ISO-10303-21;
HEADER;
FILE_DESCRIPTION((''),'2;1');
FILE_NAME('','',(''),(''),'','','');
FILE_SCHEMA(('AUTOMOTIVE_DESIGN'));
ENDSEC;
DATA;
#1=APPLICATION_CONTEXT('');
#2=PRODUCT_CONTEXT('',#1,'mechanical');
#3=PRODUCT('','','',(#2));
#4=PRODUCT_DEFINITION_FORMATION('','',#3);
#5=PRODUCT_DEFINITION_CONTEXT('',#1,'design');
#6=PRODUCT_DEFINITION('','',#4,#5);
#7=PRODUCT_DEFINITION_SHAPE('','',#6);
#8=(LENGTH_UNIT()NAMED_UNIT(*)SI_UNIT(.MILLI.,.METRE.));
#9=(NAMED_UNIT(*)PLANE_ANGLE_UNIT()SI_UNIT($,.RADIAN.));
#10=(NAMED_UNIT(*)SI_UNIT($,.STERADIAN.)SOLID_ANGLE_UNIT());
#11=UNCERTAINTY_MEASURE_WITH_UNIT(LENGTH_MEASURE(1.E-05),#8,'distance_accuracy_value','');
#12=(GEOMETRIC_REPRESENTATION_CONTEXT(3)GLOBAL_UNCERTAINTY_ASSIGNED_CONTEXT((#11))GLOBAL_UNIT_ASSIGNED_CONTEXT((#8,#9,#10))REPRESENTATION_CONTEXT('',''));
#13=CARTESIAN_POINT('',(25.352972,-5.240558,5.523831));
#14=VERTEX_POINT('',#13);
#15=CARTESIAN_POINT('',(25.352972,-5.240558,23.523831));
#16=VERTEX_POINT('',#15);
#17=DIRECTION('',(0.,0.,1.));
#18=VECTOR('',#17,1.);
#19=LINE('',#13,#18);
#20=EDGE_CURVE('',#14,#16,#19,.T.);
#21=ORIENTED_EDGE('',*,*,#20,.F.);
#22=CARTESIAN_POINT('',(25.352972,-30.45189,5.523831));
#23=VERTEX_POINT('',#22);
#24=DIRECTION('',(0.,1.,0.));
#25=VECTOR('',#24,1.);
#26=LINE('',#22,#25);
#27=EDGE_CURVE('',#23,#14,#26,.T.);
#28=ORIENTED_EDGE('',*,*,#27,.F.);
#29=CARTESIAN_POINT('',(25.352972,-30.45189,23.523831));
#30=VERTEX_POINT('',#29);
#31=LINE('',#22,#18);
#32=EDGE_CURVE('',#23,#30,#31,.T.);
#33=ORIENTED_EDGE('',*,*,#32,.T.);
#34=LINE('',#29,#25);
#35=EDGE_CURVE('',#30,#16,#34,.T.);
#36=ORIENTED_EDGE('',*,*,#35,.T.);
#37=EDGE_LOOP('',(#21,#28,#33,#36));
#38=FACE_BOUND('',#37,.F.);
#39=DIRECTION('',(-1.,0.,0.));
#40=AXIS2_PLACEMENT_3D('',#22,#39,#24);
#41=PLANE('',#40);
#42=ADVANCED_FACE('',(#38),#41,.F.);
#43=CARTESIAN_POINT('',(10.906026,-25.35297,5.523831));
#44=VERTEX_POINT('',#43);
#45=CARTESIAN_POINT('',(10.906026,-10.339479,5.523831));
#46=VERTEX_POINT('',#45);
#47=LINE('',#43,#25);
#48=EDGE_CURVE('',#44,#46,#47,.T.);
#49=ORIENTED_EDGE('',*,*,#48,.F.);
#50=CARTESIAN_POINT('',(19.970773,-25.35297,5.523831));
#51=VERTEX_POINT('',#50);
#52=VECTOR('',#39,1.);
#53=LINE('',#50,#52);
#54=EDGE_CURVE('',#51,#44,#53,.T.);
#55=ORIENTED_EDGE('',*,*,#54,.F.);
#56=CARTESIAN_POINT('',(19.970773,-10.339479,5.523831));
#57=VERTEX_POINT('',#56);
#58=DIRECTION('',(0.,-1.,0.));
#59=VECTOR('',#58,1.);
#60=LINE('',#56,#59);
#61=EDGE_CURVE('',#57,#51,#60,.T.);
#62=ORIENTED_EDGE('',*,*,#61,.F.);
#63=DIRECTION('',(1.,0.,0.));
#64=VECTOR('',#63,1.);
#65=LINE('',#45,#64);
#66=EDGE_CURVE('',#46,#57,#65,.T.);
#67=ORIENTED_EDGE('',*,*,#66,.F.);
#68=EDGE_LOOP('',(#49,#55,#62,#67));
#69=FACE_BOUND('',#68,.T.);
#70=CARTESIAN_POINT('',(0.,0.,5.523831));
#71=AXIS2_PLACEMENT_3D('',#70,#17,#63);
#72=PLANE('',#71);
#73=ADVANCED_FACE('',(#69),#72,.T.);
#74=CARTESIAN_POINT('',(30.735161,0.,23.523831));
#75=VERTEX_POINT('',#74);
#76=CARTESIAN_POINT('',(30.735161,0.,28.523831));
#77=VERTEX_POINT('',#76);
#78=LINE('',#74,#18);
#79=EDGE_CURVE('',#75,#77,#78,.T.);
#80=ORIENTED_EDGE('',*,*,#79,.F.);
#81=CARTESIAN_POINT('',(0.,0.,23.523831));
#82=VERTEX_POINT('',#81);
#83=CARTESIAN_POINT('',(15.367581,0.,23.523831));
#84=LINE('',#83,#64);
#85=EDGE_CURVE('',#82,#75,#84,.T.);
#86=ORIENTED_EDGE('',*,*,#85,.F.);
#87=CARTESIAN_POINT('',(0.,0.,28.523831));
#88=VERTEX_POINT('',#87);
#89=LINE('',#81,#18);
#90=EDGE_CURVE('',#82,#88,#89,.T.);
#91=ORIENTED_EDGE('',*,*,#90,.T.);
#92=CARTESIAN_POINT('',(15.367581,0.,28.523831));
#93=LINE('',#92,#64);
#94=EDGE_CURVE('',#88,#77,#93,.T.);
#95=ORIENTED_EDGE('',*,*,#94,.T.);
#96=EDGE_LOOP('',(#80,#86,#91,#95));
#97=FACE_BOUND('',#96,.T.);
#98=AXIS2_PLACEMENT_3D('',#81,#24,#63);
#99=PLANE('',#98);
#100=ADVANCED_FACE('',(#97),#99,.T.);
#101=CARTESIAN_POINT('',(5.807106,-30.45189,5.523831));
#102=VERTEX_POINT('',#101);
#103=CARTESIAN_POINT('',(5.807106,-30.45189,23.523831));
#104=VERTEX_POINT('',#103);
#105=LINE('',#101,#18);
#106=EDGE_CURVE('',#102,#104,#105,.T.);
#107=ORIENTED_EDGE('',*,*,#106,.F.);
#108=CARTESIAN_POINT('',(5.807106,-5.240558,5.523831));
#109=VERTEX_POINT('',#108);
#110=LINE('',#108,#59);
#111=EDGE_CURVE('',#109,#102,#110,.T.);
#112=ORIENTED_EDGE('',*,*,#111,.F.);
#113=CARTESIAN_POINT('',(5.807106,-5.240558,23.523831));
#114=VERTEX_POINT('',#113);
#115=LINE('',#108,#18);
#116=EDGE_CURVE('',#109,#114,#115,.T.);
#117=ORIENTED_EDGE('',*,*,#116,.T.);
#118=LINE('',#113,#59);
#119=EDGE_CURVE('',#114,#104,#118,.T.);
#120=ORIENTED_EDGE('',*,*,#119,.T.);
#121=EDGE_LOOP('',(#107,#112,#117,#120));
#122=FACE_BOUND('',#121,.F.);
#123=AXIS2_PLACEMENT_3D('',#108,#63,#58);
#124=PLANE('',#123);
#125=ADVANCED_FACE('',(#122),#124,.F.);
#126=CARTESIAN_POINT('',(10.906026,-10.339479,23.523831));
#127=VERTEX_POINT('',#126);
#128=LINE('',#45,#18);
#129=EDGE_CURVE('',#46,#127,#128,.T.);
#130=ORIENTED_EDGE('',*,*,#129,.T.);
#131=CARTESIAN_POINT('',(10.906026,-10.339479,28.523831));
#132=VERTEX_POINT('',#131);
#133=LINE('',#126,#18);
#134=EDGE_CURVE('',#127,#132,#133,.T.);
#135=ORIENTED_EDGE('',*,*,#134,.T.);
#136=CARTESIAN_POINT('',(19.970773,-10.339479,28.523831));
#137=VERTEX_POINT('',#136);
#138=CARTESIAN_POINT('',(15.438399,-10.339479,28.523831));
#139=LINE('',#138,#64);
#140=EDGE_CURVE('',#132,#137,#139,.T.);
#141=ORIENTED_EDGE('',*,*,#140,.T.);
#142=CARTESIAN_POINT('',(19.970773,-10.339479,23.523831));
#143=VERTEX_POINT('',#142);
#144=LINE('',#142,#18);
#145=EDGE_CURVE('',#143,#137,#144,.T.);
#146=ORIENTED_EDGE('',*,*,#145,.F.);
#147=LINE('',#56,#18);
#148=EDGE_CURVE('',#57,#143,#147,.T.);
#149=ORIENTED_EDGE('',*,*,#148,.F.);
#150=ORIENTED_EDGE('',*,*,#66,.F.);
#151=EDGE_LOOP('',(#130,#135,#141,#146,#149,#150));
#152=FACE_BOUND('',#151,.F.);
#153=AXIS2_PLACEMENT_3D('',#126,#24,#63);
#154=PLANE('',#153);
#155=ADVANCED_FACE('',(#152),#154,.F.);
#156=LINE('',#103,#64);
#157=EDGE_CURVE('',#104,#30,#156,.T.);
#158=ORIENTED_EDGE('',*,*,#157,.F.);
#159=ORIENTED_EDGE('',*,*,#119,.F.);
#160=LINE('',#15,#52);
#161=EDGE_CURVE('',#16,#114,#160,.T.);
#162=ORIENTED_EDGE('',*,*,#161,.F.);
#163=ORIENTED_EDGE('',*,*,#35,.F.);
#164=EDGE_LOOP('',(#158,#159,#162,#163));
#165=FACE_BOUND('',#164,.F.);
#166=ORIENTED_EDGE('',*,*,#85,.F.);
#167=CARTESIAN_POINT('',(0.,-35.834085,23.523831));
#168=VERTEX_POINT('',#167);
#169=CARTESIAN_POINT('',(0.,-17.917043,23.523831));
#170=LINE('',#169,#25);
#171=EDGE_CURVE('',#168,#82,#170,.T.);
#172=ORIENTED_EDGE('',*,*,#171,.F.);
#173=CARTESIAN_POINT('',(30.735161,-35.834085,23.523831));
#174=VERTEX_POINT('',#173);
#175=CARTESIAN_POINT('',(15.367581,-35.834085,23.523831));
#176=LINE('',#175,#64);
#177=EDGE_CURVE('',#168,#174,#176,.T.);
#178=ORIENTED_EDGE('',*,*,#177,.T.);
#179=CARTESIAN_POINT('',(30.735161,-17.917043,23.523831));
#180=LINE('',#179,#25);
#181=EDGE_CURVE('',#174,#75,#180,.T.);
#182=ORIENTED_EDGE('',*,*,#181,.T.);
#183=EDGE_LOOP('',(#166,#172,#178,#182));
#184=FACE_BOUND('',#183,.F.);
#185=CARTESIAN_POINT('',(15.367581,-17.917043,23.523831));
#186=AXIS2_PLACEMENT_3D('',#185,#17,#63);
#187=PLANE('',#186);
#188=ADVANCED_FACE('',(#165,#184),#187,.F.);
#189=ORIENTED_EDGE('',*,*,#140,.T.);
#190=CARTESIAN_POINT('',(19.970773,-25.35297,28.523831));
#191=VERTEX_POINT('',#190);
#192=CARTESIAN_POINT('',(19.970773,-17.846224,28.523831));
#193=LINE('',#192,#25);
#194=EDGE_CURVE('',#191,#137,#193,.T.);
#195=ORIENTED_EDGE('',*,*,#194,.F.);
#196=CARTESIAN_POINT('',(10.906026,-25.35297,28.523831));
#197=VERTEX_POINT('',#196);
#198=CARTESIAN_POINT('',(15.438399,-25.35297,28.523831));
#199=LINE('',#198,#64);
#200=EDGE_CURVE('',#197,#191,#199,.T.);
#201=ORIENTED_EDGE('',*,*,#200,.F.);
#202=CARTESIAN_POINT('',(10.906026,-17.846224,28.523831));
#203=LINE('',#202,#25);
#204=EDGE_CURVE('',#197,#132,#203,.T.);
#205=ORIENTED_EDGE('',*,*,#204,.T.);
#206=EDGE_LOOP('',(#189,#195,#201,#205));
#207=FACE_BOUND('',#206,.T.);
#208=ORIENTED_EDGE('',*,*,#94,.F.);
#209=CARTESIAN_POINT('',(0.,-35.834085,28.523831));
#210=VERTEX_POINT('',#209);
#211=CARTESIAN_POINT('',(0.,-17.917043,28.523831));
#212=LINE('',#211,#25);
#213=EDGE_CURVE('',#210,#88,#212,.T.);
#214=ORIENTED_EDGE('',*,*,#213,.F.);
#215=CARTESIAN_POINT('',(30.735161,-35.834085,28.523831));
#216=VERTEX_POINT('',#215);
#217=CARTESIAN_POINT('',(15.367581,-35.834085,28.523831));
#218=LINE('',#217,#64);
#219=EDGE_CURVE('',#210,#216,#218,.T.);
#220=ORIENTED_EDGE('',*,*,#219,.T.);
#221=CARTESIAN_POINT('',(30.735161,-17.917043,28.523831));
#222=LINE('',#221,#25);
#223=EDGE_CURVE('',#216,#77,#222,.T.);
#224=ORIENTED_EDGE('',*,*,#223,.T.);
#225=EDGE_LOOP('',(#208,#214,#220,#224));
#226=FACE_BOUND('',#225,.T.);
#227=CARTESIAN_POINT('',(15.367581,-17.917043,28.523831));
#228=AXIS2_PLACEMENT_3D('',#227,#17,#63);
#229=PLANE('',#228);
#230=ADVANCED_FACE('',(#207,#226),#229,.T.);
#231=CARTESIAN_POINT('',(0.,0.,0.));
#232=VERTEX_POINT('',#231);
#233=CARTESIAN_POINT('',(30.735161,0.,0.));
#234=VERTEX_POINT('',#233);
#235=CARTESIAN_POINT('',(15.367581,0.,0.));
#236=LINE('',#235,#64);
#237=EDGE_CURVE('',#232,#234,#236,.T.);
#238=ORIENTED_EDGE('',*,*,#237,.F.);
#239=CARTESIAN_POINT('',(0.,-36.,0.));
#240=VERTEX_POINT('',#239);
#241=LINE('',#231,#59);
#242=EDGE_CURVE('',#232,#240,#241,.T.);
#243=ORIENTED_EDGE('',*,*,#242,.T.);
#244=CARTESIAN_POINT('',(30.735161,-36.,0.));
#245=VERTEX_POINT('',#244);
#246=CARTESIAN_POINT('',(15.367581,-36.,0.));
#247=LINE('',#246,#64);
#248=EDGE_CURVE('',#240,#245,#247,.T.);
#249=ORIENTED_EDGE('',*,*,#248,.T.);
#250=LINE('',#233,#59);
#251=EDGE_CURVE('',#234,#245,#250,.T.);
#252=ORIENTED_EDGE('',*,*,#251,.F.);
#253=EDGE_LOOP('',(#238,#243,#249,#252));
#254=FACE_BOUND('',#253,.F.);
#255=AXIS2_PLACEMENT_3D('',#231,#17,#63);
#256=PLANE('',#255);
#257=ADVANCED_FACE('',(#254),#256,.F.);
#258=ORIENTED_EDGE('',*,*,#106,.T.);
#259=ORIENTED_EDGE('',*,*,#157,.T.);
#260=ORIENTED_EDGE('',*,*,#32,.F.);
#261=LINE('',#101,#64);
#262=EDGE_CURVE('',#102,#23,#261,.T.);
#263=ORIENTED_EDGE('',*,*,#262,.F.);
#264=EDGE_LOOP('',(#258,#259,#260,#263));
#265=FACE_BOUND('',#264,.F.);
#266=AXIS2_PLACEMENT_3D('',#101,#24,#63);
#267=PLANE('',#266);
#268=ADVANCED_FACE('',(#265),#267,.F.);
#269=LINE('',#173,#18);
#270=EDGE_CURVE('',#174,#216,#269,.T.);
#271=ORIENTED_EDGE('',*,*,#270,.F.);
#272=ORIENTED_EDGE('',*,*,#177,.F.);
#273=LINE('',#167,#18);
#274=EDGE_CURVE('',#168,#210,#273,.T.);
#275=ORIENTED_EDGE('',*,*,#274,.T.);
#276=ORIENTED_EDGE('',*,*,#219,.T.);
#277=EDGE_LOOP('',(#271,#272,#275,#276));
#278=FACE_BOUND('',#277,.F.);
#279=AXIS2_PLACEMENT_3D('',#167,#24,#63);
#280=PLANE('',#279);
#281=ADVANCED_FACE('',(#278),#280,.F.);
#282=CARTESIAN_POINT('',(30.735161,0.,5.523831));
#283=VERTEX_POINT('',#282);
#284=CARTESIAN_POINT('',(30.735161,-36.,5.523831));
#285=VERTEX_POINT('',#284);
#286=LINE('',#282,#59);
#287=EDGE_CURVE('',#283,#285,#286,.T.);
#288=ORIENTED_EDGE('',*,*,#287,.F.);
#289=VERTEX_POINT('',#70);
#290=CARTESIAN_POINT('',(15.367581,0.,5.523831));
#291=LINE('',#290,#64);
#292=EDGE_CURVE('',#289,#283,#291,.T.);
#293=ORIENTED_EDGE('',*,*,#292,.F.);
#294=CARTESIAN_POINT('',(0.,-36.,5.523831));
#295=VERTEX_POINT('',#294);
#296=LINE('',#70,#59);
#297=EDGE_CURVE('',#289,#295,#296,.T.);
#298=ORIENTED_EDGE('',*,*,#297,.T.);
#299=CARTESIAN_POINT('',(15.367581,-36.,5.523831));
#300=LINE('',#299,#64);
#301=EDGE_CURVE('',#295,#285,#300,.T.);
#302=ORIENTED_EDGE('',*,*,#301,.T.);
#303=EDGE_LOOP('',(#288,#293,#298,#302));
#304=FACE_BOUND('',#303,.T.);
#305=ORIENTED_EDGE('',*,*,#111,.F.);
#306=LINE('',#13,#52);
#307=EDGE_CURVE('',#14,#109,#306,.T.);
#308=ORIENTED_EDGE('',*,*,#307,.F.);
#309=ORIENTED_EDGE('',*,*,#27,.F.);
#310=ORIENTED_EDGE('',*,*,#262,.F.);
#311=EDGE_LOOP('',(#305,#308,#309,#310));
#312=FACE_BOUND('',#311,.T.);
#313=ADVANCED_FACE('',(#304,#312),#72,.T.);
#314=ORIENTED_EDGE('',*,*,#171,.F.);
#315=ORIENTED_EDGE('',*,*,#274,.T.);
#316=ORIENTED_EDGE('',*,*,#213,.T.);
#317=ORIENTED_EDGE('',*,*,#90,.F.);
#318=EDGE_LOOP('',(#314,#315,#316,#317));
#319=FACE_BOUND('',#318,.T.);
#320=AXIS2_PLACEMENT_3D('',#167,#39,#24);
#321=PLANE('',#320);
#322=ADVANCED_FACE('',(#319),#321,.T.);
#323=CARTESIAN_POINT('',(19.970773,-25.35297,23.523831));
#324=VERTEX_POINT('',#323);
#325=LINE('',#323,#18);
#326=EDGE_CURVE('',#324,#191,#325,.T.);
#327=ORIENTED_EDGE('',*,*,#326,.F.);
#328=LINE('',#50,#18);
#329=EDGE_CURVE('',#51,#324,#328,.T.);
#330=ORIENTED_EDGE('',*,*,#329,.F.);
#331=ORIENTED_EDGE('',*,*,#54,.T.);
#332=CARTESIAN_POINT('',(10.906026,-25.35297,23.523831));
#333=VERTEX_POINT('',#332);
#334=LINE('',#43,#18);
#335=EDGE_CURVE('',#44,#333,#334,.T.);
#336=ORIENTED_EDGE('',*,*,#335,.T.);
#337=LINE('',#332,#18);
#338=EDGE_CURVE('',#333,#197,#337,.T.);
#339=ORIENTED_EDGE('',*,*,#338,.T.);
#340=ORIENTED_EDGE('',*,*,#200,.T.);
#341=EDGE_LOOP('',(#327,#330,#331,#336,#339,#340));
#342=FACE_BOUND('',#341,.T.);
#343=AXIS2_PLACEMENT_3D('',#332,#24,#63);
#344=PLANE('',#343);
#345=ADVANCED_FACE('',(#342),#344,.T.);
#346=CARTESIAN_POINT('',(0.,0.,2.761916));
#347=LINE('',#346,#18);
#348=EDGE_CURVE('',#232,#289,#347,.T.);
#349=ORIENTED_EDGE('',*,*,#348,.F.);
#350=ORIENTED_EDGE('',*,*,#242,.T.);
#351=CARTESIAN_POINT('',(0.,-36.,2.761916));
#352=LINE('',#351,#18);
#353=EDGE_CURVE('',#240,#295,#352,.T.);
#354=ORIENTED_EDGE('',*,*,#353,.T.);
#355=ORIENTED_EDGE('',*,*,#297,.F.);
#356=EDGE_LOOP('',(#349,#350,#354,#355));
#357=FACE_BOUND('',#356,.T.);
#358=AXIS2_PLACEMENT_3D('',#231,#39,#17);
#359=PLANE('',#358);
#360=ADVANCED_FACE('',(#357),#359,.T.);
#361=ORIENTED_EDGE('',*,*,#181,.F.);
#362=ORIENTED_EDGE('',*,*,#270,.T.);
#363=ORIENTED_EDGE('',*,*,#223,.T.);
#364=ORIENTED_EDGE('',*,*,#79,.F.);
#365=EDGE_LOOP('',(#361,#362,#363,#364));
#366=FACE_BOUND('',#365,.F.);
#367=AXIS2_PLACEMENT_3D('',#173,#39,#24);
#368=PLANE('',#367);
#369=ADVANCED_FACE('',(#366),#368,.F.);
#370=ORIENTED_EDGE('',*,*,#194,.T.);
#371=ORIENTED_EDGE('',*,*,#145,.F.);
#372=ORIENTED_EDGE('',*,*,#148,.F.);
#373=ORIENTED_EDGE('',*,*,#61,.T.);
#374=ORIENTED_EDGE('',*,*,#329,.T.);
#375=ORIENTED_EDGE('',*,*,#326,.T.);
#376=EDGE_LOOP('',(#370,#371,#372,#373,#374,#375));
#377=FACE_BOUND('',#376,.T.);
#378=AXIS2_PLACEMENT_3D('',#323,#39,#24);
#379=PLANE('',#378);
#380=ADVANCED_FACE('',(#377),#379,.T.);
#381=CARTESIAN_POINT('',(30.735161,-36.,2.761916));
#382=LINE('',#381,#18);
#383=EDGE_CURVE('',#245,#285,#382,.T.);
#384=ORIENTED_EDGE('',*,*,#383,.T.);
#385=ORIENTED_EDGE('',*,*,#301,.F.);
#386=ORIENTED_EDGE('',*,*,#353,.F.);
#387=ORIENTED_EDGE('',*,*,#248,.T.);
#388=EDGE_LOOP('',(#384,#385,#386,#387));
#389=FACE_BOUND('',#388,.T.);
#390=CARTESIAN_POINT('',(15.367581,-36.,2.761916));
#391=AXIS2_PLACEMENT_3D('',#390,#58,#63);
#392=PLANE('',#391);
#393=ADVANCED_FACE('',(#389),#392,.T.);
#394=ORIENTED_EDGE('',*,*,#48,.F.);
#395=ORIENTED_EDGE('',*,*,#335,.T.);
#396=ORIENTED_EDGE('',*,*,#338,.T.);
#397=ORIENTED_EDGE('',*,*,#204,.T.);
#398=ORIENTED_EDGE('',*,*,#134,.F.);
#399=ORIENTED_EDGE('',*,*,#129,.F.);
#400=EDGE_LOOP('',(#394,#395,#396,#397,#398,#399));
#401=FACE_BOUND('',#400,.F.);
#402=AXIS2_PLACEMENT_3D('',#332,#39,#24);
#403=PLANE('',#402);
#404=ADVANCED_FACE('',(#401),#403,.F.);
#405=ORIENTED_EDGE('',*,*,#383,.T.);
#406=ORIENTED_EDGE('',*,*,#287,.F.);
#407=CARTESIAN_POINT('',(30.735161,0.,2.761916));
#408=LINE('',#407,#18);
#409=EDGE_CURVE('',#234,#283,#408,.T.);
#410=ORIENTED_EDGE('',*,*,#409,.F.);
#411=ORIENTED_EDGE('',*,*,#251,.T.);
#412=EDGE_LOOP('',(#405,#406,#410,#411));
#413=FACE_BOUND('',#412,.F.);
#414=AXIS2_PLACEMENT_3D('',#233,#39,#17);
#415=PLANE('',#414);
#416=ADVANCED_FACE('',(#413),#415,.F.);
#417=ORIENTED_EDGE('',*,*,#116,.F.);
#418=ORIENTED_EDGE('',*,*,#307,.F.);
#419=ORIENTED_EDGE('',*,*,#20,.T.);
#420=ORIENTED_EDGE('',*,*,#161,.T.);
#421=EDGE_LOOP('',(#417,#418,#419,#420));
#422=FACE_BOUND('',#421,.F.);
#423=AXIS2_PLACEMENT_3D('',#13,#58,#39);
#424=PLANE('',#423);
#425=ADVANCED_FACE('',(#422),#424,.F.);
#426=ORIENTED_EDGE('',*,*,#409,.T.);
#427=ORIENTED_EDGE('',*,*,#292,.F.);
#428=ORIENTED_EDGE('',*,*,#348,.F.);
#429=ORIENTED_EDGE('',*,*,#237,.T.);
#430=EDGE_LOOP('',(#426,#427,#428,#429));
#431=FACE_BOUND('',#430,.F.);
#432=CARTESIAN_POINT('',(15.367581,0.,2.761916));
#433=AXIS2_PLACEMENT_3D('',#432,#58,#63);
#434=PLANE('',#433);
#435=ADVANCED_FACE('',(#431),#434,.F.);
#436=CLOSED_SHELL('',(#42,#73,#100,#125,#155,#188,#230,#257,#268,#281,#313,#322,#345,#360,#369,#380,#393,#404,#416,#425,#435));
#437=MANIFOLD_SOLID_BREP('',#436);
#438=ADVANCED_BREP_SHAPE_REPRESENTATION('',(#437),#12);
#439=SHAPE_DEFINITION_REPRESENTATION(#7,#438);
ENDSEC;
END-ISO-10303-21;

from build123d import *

# Parameters (mm, degrees)
F0_W     = 30.7351611555
F0_H     = 5.5238311179
F1_DEPTH = 36
F3_DEPTH = 18
F4_W     = 30.7351611555
F4_H     = 35.8340851963
F4_W_2   = 9.0647470206
F4_H_2   = 15.0134908035
F5_DEPTH = 5


with BuildPart() as f1:
    # F0 (on Front) → F1 (new body)
    with BuildSketch(Plane.XZ):
        with Locations((15.3675805777, 2.7619155589)):
            Rectangle(F0_W, F0_H)
    extrude(amount=F1_DEPTH)

    # F2 (on face) → F3 (join)
    with BuildSketch(Plane.XY.offset(5.5238311179)):
        Polygon((25.3529716283, -30.4518900812), (25.3529716283, -18), (25.3529716283, -5.2405577153), (5.8071063831, -5.2405577153), (5.8071063831, -30.4518900812), align=None)
        Polygon((19.9707727879, -25.3529697657), (15.5800390057, -25.3529697657), (10.9060257673, -25.3529697657), (10.9060257673, -10.3394789621), (19.9707727879, -10.3394789621), align=None, mode=Mode.SUBTRACT)
    extrude(amount=F3_DEPTH)

    # F4 (on face) → F5 (join)
    with BuildSketch(Plane.XY.offset(23.5238311179)):
        with Locations((15.3675805777, -17.9170425981)):
            Rectangle(F4_W, F4_H)
        with Locations((15.4383992776, -17.8462243639)):
            Rectangle(F4_W_2, F4_H_2, mode=Mode.SUBTRACT)
    extrude(amount=F5_DEPTH)


solid = f1.part
